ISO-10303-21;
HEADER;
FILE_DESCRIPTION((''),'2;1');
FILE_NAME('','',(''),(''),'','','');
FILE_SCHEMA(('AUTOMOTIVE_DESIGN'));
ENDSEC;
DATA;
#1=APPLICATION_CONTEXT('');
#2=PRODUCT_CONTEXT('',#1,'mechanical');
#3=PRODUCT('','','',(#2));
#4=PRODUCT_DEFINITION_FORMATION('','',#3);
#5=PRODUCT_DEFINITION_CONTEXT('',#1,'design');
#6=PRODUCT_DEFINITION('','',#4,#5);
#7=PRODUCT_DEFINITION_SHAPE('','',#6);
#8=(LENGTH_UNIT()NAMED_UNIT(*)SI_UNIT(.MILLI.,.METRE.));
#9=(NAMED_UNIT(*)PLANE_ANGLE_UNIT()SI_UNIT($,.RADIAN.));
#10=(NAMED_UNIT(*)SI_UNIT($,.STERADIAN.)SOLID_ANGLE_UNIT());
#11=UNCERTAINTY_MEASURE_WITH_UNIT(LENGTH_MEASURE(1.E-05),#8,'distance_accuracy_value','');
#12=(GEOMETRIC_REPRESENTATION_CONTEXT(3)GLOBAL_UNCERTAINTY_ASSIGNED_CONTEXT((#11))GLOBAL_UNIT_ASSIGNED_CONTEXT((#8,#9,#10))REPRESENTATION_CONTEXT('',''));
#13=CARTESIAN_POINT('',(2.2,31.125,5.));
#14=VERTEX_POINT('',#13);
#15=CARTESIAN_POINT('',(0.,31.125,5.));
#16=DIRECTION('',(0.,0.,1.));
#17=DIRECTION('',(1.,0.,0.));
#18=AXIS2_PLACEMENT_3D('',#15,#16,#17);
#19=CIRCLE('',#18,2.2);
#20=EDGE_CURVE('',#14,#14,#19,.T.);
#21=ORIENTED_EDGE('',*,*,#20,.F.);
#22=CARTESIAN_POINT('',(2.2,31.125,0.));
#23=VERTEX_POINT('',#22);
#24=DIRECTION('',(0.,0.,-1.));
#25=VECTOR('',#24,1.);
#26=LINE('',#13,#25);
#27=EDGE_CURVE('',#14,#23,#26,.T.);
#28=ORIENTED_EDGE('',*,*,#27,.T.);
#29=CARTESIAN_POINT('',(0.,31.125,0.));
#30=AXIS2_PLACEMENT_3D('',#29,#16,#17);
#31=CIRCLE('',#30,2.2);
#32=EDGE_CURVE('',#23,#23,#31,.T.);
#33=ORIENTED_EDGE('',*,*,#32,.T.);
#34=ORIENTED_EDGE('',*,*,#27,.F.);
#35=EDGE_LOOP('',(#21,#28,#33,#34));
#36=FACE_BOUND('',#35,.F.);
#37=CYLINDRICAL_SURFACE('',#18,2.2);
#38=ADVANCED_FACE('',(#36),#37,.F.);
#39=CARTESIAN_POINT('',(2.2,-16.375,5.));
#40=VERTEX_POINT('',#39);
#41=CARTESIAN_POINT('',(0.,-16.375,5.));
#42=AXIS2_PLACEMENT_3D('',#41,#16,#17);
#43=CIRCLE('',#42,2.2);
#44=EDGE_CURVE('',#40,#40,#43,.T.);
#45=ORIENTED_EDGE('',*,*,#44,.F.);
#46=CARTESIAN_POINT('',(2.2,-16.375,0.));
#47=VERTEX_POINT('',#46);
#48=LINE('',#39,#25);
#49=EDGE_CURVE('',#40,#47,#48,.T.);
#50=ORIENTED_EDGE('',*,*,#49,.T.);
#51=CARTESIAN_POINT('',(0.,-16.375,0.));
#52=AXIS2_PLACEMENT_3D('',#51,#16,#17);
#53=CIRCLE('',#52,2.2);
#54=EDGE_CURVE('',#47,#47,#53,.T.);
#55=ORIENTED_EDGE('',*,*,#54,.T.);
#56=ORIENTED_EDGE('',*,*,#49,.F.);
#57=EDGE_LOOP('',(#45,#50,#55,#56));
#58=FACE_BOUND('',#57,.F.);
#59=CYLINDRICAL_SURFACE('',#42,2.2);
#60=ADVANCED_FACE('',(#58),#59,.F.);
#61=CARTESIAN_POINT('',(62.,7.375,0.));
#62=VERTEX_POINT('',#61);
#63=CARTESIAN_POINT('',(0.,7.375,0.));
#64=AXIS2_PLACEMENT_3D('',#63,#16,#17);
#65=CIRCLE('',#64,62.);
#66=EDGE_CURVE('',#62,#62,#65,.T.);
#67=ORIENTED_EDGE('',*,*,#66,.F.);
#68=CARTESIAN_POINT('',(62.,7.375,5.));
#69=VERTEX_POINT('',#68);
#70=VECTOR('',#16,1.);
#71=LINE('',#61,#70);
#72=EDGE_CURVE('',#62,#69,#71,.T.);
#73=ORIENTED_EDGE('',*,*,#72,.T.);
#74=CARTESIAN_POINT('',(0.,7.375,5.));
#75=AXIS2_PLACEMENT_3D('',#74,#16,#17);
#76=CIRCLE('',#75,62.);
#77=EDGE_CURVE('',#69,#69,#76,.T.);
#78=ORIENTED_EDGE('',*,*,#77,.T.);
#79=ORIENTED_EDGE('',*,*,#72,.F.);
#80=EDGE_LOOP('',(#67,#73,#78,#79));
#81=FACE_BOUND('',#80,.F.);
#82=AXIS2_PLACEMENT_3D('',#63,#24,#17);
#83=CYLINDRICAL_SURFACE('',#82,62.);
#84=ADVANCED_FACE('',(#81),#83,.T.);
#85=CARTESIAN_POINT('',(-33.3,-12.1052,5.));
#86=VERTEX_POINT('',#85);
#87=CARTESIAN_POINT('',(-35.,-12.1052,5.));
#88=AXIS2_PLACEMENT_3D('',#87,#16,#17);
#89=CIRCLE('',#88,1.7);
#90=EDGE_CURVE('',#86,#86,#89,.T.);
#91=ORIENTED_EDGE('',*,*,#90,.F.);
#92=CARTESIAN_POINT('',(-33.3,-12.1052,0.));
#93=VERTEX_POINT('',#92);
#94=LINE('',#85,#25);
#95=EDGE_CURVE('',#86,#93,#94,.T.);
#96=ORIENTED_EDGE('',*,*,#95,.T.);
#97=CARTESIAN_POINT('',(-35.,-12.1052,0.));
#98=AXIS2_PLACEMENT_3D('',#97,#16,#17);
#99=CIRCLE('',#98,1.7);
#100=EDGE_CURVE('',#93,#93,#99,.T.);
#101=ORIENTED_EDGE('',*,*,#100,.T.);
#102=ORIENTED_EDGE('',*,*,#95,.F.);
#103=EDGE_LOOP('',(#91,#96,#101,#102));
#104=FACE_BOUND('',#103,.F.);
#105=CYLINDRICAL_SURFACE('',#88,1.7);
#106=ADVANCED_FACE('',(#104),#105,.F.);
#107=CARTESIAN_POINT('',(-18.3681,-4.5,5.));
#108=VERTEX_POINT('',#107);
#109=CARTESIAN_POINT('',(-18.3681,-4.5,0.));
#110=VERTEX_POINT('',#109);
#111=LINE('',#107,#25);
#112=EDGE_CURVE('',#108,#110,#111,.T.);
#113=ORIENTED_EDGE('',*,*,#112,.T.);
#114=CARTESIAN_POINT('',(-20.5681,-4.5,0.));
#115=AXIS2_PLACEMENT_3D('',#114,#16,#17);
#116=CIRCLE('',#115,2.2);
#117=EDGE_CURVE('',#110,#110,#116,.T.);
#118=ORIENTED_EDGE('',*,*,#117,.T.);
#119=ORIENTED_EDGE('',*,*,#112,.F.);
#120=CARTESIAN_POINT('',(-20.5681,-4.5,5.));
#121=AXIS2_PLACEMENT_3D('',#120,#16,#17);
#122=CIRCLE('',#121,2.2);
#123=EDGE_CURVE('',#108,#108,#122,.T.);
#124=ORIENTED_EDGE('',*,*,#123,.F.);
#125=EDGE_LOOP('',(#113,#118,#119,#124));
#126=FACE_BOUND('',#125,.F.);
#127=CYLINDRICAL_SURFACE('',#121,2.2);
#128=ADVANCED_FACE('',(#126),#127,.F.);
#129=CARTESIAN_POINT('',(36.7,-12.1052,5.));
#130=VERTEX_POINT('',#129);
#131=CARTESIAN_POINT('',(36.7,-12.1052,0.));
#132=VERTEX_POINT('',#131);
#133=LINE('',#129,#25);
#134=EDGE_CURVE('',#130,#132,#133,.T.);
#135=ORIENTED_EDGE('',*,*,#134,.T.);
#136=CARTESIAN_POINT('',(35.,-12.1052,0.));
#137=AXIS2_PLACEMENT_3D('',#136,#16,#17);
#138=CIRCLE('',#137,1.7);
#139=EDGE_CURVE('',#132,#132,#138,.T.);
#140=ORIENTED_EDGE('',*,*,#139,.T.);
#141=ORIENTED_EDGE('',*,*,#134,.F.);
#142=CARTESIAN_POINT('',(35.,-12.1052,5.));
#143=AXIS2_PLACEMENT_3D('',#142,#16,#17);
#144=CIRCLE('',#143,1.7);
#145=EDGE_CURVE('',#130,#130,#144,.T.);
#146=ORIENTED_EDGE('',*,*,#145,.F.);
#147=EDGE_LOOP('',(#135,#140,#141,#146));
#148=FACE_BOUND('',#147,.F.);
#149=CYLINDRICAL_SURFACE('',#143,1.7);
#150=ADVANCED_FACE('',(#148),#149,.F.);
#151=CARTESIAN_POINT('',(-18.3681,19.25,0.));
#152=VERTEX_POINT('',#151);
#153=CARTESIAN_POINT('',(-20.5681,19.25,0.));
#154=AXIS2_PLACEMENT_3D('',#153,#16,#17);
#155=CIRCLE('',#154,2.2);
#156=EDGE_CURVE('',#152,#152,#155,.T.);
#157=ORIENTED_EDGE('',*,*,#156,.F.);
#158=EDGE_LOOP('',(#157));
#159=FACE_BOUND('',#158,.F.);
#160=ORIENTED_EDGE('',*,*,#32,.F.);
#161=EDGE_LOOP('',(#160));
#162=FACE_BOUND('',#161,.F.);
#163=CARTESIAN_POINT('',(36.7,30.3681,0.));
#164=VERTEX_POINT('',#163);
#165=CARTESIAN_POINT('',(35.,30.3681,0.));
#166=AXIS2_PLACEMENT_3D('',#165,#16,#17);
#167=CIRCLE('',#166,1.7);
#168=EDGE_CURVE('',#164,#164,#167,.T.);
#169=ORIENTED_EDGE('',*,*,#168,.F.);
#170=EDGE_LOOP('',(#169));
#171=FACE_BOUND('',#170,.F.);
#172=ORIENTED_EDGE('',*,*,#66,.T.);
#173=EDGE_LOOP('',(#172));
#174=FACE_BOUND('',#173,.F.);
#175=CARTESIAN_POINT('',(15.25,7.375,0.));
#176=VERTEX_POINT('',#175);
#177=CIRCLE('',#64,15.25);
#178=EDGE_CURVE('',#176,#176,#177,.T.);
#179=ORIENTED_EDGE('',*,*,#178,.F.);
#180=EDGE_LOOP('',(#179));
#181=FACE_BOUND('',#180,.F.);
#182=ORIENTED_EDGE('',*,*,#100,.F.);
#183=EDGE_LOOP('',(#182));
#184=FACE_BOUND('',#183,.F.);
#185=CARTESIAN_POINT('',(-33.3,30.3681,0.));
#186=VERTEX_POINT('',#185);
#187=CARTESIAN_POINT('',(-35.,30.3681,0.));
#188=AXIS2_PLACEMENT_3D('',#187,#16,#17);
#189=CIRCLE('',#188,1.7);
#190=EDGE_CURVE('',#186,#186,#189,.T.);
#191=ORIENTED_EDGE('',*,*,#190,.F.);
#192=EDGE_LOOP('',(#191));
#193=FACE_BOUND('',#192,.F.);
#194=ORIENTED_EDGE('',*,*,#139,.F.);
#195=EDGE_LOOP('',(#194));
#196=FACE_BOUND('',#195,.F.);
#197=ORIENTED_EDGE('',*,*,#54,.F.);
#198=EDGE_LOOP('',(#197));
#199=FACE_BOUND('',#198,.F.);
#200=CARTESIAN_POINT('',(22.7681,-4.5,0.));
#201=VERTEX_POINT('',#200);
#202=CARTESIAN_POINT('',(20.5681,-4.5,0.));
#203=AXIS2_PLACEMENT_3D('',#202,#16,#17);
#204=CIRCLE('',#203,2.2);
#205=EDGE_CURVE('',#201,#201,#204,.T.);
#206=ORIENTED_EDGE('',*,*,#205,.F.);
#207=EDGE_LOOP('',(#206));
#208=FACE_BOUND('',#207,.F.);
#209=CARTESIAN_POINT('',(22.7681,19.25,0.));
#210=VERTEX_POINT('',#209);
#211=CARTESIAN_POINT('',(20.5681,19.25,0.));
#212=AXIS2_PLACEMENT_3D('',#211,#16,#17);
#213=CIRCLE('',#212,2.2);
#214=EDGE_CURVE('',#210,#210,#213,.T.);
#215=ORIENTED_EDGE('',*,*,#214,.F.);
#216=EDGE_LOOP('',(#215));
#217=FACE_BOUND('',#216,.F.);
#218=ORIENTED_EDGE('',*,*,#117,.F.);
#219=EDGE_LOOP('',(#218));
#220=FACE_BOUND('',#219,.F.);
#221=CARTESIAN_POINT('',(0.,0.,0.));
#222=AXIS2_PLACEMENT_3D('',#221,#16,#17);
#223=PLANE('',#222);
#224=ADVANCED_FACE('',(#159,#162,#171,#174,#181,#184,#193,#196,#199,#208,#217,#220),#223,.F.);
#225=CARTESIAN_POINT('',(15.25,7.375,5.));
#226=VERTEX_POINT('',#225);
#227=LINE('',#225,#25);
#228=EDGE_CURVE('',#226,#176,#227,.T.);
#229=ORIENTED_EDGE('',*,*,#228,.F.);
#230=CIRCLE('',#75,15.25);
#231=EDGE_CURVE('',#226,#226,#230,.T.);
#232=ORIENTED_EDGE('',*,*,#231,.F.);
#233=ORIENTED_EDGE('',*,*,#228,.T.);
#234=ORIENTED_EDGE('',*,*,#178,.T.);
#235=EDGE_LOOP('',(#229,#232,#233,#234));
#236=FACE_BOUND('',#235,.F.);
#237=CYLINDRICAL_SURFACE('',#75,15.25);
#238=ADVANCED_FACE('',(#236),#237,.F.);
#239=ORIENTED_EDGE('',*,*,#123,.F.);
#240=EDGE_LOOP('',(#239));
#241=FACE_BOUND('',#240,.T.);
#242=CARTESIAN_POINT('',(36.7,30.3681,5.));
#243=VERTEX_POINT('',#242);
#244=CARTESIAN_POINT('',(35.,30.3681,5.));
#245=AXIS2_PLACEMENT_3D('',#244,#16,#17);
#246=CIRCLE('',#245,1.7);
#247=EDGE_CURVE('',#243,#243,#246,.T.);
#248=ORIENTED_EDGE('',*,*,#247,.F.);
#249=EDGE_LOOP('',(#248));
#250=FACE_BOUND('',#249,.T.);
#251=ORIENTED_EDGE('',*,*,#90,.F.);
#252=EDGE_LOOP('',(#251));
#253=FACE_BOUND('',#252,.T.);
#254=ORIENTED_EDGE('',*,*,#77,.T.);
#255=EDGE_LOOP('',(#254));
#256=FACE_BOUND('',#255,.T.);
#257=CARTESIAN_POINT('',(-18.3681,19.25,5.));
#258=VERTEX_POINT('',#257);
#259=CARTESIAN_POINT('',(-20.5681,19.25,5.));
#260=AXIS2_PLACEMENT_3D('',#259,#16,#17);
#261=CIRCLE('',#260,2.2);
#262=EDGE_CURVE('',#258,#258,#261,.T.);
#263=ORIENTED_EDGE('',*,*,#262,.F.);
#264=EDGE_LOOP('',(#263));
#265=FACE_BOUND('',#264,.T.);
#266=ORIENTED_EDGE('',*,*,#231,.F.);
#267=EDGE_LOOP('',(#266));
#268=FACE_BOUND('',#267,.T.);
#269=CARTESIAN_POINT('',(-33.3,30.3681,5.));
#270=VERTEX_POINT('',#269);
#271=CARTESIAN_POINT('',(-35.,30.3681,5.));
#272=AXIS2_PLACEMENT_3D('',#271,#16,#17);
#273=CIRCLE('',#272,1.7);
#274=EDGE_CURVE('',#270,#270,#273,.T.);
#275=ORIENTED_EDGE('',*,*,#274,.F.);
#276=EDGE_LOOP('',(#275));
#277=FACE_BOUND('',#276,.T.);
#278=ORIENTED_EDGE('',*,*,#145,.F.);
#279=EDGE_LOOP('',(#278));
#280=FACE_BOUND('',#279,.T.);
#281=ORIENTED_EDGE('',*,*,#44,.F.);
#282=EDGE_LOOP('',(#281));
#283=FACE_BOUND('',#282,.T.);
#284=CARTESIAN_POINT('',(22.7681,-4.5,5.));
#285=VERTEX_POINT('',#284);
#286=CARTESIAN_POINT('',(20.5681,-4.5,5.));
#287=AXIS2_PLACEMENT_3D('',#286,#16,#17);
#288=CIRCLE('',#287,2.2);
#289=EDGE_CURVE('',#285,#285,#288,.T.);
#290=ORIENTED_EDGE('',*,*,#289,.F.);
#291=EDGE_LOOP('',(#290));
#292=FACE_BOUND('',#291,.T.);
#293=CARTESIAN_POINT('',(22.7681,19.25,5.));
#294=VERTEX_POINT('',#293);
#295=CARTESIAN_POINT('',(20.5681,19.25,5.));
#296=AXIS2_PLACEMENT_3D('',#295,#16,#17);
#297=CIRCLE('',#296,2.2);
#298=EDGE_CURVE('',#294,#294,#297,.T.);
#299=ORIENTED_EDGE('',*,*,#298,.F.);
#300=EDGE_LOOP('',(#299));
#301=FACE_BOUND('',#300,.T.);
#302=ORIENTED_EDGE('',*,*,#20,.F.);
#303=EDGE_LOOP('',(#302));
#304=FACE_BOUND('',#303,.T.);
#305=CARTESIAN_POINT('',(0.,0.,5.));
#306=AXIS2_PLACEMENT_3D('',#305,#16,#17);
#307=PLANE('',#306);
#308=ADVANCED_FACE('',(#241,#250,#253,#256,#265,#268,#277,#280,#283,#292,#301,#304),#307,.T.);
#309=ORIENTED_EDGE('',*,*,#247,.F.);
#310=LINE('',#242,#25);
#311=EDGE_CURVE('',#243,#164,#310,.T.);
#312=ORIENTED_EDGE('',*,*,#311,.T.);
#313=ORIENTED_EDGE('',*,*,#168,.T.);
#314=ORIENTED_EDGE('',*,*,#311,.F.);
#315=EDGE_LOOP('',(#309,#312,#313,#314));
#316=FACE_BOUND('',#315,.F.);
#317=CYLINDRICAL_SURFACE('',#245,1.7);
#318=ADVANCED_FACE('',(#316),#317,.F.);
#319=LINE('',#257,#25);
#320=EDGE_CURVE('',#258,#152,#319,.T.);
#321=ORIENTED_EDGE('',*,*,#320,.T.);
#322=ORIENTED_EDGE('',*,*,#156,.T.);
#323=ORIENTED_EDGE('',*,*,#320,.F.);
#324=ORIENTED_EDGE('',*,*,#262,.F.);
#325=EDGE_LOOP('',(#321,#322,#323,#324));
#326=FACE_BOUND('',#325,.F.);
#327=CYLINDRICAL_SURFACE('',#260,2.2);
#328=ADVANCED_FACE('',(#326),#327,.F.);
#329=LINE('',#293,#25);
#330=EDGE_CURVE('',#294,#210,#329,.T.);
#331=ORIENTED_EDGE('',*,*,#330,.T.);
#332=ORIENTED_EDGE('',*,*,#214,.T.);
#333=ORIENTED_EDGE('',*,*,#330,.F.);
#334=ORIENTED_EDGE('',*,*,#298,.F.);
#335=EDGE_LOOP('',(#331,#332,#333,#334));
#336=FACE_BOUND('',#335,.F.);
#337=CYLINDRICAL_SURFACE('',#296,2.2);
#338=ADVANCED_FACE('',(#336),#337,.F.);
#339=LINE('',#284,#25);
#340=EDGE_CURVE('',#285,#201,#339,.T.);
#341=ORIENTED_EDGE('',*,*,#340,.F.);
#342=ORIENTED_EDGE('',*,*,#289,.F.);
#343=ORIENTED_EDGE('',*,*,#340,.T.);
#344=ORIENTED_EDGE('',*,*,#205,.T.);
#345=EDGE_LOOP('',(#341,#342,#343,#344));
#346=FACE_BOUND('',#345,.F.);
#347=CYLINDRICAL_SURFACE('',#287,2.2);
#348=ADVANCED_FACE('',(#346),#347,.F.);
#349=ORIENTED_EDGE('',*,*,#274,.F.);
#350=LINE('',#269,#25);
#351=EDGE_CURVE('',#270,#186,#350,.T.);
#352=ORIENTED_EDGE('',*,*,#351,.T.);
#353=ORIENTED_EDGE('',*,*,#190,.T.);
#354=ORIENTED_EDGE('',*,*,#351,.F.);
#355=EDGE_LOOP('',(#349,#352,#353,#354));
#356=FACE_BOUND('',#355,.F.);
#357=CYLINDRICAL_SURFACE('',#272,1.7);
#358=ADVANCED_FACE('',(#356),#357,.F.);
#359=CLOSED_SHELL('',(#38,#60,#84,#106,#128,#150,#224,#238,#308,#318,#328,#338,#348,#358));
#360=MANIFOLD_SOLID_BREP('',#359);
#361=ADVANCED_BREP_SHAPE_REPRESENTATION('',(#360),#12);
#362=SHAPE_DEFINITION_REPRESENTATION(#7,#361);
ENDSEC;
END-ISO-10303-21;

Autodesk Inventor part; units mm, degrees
ref_plane "YZ Plane" through (0, 0, 0) normal (1, 0, 0) x (0, 1, 0)
ref_plane "XZ Plane" through (0, 0, 0) normal (0, 1, 0) x (-1, 0, 0)
ref_plane "XY Plane" through (0, 0, 0) normal (0, 0, 1) x (1, 0, 0)
sketch "Base" plane through (0, 0, 0) normal (0, 0, 1) x (1, 0, 0)
  circle A0 centre (0, 7.375) radius 56.125 construction
  line L0 (0, -79.425) -> (0, 94.175) construction
  circle A1 centre (0, 7.375) radius 62
  line L1 (-34.5, -17.2623) -> (-48.798, -11.1931) construction
  point P0 (0, 0)
  point P1 (0, -28.5)
  dimension "d1" = 124
  dimension "d39" = 5.875
extrude "Plate1" add sketch "Base" along normal blind 5
sketch "HubCenterHole" plane through (0, 7.375, 5) normal (0, 0, 1) x (1, 0, 0)
  circle A0 centre (0, 0) radius 15 construction
  circle A1 centre (0, 0) radius 15.25
  point P0 (0, -7.375)
  dimension "d79" = 0.25
extrude "HubCenterHoleFeature" cut sketch "HubCenterHole" against normal blind 5
sketch "HubMountHoles" plane through (0, 7.375, 5) normal (0, 0, 1) x (1, 0, 0)
  circle A0 centre (0, -23.75) radius 2.5 construction
  circle A1 centre (-20.5681, -11.875) radius 2.5 construction
  circle A2 centre (-20.5681, 11.875) radius 2.5 construction
  circle A3 centre (0, 23.75) radius 2.5 construction
  circle A4 centre (20.5681, 11.875) radius 2.5 construction
  circle A5 centre (20.5681, -11.875) radius 2.5 construction
  circle A6 centre (0, -23.75) radius 2.5 construction
  circle A7 centre (0, -23.75) radius 2.2
  circle A8 centre (20.5681, -11.875) radius 2.2
  circle A9 centre (20.5681, 11.875) radius 2.2
  circle A10 centre (0, 23.75) radius 2.2
  circle A11 centre (-20.5681, -11.875) radius 2.2
  circle A12 centre (-20.5681, 11.875) radius 2.2
  point P0 (0, -7.375)
extrude "HubMountHolesFeature" cut sketch "HubMountHoles" against normal blind 5
sketch "BracketMountHoles" plane through (0, 7.375, 5) normal (0, 0, 1) x (1, 0, 0)
  circle A0 centre (-35, -19.4802) radius 2 construction
  circle A1 centre (35, -19.4802) radius 2 construction
  circle A2 centre (-35, 22.9931) radius 2 construction
  circle A3 centre (-35, -19.4802) radius 2 construction
  arc A4 (-56, -19.7436) -> (-50, -25.7436) centre (-50, -19.7436) ccw construction
  line L0 (-22, -25.7436) -> (-50, -25.7436) construction
  line L1 (-22, -25.7436) -> (-22, 29.2564) construction
  line L2 (-50, 29.2564) -> (-22, 29.2564) construction
  arc A5 (-50, 29.2564) -> (-56, 23.2564) centre (-50, 23.2564) ccw construction
  line L3 (-56, -19.7436) -> (-56, 23.2564) construction
  circle A6 centre (35, 22.9931) radius 2 construction
  circle A7 centre (35, -19.4802) radius 2 construction
  arc A8 (50, -25.7436) -> (56, -19.7436) centre (50, -19.7436) ccw construction
  line L4 (56, -19.7436) -> (56, 23.2564) construction
  arc A9 (56, 23.2564) -> (50, 29.2564) centre (50, 23.2564) ccw construction
  line L5 (50, 29.2564) -> (22, 29.2564) construction
  line L6 (22, -25.7436) -> (22, 29.2564) construction
  line L7 (22, -25.7436) -> (50, -25.7436) construction
  circle A10 centre (-35, -19.4802) radius 1.7
  circle A11 centre (-35, 22.9931) radius 1.7
  circle A12 centre (35, -19.4802) radius 1.7
  circle A13 centre (35, 22.9931) radius 1.7
  point P0 (0, -7.375)
  dimension "d88" = 4
  dimension "d89" = 3.4
  dimension "d90" = 3.4
  dimension "d91" = 3.4
  dimension "d92" = 3.4
extrude "BracketMountHolesFeature" cut sketch "BracketMountHoles" against normal blind 5
equation "\"d12\" = Thickness"
equation "\"BendRadius\" = Thickness"
equation "\"BendReliefWidth\" = Thickness"
equation "\"BendReliefDepth\" = 0.5 * Thickness"
equation "\"TransitionRadius\" = BendRadius"
equation "\"JacobiRadiusSize\" = BendRadius"
equation "\"GapSize\" = Thickness"
equation "\"Thickness\" = 5"
properties part number "NeckBase"
